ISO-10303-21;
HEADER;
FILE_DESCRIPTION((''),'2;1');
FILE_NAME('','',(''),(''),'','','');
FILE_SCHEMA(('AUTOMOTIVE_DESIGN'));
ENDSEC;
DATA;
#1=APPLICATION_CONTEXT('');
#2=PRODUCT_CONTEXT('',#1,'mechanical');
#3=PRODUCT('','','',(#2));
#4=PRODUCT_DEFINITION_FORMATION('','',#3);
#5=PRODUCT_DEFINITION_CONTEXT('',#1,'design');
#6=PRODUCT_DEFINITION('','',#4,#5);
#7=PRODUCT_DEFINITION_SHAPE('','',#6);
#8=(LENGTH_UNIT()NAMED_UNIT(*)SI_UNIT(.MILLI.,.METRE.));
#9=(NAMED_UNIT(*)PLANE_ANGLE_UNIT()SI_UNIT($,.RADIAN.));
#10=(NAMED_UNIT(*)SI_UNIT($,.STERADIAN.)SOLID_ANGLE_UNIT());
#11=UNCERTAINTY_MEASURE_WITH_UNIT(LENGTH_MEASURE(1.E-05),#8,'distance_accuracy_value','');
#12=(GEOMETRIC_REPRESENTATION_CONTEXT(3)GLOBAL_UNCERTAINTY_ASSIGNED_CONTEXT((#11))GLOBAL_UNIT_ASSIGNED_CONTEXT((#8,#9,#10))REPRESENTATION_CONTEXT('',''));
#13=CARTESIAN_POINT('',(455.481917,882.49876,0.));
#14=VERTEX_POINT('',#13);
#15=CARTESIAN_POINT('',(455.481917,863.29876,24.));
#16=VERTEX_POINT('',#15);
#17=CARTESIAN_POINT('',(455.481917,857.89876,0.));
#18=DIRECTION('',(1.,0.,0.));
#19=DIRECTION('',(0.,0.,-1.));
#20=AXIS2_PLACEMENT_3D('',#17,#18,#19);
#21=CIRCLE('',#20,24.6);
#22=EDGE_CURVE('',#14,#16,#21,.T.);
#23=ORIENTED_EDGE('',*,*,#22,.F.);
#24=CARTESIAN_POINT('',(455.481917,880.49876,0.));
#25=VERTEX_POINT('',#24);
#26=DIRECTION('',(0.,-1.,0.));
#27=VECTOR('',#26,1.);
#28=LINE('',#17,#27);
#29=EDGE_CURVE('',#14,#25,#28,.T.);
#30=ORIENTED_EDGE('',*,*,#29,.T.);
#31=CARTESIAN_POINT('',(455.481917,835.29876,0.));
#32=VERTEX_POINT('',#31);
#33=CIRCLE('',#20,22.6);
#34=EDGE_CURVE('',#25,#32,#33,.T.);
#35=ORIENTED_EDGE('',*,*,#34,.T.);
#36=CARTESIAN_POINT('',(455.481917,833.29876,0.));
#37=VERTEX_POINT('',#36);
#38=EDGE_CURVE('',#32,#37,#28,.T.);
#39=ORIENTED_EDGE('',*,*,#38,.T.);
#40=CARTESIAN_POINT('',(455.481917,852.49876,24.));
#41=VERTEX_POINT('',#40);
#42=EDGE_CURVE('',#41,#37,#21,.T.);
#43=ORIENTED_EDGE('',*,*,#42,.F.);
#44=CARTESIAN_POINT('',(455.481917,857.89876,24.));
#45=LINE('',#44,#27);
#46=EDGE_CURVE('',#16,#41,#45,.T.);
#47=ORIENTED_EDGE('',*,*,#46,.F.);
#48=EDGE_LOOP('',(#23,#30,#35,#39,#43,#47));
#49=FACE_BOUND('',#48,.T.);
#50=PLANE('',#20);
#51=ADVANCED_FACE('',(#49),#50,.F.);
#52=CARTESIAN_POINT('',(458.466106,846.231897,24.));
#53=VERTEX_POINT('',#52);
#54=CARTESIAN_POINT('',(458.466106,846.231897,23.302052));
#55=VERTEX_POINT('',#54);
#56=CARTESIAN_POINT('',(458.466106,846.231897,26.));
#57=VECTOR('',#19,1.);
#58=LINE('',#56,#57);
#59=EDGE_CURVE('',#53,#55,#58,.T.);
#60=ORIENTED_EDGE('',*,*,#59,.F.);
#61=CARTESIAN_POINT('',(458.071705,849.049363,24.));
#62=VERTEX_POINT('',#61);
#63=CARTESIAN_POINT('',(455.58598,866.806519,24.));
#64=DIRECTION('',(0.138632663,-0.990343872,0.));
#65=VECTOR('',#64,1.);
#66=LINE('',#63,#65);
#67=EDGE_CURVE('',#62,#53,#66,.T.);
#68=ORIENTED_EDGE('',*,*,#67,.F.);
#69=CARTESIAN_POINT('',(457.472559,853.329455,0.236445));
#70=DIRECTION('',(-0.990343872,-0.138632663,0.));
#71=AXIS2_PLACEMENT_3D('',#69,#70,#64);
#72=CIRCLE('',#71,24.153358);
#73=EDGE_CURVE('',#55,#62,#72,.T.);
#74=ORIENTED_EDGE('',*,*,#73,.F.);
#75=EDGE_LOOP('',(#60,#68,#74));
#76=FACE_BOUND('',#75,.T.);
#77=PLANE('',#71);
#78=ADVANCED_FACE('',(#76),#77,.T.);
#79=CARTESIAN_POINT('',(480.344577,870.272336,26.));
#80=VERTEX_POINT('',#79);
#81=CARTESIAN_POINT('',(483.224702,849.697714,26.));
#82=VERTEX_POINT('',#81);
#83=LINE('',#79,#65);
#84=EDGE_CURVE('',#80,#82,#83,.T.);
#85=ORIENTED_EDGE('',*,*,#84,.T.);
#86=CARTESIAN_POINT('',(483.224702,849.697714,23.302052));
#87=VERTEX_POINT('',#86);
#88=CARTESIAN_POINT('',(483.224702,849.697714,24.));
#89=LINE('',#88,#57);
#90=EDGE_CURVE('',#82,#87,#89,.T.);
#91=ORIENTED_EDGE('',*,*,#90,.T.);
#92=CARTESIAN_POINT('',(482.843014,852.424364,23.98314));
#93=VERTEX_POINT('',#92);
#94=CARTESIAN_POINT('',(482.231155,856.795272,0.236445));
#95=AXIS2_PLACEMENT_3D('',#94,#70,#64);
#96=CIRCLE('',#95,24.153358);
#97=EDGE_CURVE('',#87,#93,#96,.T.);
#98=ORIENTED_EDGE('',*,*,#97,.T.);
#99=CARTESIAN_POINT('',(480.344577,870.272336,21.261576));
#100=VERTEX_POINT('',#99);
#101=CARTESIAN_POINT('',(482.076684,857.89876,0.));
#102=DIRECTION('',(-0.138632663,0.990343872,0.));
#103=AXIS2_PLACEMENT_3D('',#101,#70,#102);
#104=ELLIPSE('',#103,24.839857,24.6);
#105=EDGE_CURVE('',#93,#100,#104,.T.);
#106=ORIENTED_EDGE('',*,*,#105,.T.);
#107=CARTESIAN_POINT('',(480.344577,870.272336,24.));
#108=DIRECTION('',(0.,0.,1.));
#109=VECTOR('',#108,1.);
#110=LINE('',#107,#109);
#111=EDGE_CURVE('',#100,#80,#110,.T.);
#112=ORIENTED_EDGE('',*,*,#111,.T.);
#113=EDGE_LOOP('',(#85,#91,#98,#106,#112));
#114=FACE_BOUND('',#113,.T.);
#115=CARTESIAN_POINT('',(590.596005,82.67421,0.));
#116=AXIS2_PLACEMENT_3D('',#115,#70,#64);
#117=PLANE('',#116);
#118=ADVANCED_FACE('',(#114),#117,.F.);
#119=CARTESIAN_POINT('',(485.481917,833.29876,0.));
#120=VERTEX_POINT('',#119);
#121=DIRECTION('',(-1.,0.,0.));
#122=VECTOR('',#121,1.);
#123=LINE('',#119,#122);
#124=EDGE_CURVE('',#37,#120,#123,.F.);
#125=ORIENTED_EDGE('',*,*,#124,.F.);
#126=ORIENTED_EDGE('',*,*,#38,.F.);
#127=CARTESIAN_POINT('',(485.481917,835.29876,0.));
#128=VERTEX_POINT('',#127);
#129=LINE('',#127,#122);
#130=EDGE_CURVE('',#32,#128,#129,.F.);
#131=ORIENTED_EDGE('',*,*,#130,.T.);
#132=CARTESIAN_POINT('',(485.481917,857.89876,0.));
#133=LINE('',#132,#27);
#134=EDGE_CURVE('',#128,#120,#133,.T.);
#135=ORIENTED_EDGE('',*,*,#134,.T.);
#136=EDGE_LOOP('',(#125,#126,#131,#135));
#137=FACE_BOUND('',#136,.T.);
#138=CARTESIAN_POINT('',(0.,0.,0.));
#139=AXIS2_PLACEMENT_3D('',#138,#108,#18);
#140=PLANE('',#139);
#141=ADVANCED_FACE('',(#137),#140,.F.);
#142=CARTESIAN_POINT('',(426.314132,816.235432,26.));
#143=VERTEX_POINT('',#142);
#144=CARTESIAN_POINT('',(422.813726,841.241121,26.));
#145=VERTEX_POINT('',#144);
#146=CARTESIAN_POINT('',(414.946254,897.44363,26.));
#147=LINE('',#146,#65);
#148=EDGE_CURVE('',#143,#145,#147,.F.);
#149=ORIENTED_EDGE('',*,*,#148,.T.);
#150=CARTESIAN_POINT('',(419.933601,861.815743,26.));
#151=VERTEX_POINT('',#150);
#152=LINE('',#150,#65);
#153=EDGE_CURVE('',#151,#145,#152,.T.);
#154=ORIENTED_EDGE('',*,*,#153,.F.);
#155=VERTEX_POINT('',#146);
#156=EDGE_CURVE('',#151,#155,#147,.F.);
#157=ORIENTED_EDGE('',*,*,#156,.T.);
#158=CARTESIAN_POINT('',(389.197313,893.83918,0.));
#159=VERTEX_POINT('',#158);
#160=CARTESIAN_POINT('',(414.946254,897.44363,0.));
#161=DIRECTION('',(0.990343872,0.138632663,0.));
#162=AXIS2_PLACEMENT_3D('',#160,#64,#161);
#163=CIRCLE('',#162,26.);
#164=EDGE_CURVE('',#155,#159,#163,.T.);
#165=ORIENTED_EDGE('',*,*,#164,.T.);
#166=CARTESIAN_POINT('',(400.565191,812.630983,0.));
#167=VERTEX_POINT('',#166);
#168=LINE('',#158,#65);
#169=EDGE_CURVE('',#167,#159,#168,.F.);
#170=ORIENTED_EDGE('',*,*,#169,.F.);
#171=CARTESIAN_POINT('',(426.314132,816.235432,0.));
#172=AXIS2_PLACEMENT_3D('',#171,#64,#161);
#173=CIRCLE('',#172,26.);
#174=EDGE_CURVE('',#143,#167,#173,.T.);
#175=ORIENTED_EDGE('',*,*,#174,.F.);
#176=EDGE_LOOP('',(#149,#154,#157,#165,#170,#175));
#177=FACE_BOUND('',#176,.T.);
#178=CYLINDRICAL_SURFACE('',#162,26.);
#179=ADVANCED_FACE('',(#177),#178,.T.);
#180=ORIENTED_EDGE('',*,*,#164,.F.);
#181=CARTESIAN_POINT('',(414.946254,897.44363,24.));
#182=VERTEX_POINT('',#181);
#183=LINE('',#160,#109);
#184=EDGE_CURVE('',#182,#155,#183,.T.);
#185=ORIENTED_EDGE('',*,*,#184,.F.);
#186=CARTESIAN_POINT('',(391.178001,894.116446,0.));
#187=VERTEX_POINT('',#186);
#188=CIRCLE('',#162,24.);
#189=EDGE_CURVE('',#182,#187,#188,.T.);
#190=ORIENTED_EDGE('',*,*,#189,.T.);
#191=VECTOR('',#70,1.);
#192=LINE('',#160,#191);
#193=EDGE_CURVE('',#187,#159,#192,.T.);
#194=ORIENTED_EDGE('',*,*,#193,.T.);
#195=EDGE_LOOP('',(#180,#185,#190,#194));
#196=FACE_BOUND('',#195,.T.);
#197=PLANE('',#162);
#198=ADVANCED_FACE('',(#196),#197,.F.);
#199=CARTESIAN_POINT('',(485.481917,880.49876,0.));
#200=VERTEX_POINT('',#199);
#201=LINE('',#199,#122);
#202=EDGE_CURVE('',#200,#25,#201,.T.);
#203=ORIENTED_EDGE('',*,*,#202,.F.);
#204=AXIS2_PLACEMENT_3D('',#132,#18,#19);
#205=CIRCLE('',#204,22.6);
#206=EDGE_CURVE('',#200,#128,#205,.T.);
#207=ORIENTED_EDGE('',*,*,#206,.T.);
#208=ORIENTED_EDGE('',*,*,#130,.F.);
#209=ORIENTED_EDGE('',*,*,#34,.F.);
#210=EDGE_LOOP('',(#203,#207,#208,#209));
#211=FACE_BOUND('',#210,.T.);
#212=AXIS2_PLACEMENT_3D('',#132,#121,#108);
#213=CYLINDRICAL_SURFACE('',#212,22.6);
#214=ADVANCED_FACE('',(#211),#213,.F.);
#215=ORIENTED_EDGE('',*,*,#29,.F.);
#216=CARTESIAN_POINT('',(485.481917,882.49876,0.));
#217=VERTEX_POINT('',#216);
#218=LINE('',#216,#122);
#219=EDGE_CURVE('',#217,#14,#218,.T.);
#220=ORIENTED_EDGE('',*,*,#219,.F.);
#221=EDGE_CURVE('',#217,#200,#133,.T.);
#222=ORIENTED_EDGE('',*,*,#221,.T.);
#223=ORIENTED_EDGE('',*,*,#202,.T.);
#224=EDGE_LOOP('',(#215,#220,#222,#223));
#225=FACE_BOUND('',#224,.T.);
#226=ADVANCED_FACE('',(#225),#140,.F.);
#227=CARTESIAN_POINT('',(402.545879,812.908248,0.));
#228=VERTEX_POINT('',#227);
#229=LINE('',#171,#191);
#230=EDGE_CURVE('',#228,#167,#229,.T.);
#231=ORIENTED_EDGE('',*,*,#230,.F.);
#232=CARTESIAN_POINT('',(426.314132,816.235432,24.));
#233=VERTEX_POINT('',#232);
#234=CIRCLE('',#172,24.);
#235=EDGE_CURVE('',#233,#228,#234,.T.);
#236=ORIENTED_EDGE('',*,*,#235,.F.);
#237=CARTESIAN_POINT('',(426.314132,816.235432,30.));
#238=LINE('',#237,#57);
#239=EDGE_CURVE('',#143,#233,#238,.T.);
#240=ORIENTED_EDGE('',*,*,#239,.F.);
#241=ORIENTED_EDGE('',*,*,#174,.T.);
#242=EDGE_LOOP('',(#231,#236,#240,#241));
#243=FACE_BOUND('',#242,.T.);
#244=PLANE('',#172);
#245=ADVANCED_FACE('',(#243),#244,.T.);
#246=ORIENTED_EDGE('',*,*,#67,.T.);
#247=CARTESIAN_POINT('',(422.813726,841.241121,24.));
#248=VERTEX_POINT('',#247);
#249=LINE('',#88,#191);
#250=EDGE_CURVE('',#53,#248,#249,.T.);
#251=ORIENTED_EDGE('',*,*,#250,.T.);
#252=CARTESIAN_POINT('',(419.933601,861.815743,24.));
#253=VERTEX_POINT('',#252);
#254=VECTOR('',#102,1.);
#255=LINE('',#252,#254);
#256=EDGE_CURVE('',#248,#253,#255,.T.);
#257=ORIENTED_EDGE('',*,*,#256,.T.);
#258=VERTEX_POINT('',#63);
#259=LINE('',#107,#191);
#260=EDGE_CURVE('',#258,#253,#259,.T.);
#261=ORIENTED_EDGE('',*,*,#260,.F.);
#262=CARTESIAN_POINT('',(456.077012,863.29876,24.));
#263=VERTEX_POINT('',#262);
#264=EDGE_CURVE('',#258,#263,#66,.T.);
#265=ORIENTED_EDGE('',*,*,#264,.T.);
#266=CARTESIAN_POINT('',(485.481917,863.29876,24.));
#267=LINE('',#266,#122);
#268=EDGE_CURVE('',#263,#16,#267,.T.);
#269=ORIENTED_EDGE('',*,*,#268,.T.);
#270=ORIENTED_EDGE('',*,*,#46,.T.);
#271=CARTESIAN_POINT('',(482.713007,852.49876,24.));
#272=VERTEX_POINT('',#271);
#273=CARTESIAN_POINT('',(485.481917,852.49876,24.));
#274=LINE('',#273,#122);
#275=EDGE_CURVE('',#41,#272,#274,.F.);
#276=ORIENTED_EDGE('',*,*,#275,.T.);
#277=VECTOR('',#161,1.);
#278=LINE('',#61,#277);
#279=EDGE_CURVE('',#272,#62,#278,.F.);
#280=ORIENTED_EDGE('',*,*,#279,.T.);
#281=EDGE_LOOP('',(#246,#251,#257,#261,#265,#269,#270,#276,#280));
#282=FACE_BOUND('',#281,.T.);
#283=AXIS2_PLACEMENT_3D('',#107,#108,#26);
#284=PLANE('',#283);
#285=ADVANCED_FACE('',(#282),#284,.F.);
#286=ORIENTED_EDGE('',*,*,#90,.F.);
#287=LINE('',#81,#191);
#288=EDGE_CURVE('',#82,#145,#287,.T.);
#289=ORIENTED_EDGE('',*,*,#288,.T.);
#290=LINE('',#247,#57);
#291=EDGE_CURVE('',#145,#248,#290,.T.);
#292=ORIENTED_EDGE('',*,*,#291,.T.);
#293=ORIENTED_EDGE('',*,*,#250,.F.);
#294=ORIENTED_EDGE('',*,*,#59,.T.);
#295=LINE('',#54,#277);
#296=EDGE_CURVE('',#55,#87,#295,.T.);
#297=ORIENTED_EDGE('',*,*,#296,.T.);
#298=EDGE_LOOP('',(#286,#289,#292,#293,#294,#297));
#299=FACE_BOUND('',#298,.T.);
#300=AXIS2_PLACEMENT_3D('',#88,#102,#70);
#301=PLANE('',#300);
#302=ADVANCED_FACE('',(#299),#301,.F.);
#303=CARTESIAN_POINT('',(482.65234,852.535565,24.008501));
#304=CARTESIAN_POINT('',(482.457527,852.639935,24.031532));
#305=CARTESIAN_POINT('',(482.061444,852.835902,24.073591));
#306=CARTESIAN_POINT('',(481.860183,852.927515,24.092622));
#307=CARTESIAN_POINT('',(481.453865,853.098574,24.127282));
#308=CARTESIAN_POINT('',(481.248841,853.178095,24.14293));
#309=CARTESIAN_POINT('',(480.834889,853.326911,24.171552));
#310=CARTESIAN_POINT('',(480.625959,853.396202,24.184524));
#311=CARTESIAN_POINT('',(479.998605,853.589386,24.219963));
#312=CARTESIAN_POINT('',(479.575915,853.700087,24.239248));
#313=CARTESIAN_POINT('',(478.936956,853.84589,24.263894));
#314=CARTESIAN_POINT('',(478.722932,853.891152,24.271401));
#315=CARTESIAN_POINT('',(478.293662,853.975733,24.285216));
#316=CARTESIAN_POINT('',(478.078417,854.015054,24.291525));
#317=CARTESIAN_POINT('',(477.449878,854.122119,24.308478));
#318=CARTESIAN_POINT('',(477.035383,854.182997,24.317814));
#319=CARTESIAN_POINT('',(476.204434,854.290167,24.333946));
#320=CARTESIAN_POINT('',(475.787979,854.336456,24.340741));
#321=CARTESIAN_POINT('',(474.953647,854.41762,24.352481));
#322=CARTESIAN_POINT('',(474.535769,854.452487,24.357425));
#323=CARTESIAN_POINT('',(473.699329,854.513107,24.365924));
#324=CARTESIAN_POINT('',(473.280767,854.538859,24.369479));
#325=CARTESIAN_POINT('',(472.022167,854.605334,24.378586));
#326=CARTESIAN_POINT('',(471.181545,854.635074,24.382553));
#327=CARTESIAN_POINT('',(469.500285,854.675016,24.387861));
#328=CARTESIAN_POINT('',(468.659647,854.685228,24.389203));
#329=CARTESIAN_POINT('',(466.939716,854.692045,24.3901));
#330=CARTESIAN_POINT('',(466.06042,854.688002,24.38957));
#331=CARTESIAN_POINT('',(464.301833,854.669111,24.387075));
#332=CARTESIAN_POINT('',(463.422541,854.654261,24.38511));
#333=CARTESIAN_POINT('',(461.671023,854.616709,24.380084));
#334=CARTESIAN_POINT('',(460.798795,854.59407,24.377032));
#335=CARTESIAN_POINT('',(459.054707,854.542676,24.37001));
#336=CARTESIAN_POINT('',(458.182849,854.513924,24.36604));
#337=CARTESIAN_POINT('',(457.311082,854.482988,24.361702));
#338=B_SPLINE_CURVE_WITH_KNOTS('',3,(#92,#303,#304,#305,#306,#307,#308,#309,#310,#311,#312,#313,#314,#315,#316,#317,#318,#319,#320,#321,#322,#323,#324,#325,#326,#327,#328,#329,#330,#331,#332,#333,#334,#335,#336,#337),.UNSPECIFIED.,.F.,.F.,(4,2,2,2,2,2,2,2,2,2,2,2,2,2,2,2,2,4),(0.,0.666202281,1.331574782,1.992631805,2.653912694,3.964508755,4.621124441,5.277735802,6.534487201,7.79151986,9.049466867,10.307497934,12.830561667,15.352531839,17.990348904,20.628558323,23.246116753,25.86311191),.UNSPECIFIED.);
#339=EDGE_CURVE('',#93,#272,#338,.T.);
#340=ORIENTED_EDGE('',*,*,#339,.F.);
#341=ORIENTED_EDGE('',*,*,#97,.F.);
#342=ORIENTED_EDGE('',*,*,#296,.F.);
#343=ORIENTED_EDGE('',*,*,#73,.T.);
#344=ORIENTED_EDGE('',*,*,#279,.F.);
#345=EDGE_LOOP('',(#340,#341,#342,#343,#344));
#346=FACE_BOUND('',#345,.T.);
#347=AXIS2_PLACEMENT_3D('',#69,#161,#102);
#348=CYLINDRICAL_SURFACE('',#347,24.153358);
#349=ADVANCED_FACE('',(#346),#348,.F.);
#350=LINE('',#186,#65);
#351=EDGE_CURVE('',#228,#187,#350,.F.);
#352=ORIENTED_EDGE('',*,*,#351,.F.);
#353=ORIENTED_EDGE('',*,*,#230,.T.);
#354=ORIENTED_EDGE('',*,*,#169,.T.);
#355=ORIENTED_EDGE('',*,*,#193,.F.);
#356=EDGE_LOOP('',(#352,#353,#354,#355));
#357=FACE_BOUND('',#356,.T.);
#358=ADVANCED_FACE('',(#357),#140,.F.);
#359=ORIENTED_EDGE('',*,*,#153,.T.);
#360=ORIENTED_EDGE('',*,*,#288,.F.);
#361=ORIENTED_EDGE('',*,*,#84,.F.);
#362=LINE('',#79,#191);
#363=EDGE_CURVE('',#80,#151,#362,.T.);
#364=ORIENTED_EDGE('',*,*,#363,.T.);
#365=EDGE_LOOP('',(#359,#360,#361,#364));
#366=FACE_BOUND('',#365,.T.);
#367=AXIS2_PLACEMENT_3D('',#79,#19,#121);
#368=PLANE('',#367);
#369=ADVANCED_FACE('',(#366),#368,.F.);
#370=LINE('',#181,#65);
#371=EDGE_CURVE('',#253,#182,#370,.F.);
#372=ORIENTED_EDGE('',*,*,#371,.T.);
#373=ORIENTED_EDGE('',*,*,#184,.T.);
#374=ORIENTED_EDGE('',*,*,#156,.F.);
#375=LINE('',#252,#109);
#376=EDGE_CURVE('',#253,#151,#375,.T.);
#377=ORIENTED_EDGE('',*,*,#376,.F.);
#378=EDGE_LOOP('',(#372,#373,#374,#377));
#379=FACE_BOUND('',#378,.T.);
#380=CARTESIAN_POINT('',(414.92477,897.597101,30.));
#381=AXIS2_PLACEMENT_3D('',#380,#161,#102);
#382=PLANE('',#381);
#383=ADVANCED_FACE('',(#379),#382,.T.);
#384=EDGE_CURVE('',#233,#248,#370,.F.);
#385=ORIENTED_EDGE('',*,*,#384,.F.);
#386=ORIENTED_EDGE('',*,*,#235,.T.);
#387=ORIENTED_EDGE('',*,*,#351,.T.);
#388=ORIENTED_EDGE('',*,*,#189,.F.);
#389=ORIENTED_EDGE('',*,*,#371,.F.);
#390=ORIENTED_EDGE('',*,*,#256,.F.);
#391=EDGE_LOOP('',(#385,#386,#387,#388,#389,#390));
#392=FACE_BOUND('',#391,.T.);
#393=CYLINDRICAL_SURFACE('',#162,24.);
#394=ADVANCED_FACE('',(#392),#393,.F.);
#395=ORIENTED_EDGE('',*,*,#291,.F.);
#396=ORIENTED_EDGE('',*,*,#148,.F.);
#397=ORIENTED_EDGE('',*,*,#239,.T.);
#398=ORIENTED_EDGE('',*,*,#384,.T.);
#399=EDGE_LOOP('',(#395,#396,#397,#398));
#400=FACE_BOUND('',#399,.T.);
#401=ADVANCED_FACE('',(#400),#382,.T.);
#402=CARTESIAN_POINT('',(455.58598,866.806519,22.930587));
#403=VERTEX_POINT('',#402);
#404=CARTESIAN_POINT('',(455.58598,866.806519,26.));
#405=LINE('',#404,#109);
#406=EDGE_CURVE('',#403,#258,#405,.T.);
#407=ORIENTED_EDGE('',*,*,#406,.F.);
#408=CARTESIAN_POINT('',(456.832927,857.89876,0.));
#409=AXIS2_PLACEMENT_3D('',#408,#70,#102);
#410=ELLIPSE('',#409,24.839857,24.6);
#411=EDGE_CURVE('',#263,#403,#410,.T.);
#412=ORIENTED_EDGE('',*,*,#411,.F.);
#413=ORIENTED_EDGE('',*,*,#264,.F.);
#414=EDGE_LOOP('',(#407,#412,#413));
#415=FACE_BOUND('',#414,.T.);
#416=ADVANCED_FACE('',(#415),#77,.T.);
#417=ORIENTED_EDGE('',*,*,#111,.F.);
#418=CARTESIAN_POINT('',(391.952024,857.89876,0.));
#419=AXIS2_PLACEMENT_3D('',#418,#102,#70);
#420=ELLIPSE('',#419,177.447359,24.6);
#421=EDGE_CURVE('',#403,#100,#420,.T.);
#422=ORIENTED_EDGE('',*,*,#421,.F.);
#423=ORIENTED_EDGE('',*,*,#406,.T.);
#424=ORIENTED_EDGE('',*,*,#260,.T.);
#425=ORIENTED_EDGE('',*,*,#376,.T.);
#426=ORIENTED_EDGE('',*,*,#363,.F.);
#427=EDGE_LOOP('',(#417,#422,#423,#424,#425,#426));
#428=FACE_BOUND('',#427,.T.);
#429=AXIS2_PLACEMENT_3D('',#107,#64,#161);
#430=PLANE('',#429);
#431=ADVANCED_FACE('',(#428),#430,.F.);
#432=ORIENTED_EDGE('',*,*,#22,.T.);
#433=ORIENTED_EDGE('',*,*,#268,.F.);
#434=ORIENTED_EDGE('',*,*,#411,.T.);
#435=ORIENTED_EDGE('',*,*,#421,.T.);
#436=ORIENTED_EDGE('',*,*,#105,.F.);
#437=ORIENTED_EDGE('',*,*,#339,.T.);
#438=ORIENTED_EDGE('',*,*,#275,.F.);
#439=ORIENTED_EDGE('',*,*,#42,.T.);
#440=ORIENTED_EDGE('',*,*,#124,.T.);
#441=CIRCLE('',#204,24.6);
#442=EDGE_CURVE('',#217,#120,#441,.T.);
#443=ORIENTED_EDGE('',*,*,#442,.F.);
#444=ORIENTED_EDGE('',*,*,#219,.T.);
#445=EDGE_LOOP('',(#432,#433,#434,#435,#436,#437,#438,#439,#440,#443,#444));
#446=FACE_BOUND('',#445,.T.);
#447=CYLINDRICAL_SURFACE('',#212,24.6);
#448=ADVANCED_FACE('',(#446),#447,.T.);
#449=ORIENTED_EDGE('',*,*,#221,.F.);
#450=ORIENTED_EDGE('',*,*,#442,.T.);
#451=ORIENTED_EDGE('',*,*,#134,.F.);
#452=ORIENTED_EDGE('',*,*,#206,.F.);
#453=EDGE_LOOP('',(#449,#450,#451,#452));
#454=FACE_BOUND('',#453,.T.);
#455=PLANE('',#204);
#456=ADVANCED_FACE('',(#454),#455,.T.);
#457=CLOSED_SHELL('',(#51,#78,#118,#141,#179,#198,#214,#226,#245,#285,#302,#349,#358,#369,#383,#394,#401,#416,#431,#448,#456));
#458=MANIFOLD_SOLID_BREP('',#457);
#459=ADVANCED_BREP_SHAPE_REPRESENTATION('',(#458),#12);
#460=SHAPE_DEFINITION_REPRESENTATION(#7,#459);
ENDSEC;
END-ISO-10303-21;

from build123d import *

# Parameters (mm, degrees)
SKETCH3_R               = 26
SKETCH3_R_2             = 24
BOSS_EXTRUDE1_DEPTH     = 82
SKETCH2_R               = 24.6
SKETCH2_R_2             = 22.6
BOSS_EXTRUDE2_DEPTH     = 30
CUT_EXTRUDE1_DEPTH      = 30
CUT_EXTRUDE1_DEPTH_BACK = 30
SKETCH5_W               = 101.816386604
SKETCH5_H               = 90.816460778
CUT_EXTRUDE2_DEPTH      = 30
SKETCH6_W               = 2
SKETCH6_H               = 20.775230247
BOSS_EXTRUDE3_DEPTH     = 61
BOSS_EXTRUDE5_DEPTH     = 25
CUT_EXTRUDE3_START      = -32
SKETCH8_R               = 22.6
CUT_EXTRUDE3_DEPTH      = 32


with BuildPart() as part:
    # Sketch3 → Boss-Extrude1 (new body)
    with BuildSketch(Plane(origin=(-103.870896529, 742.017814767, 0), x_dir=(-0.9903438719336157, -0.13863266326351154, 0), z_dir=(0.13863266326351156, -0.9903438719336158, 0))):
        with Locations((-535.354479902, 0)):
            Circle(SKETCH3_R)
        with Locations((-535.354479902, 0)):
            Circle(SKETCH3_R_2, mode=Mode.SUBTRACT)
    extrude(amount=-BOSS_EXTRUDE1_DEPTH)

    # Sketch4 → Cut-Extrude1 (cut, two sides: drawn at the far end of the back side and taken through both)
    with BuildSketch(Plane.XY.offset(-CUT_EXTRUDE1_DEPTH_BACK)):
        Polygon((414.924769966, 897.597101018), (426.314131953, 816.235432106), (452.063072624, 819.839881351), (440.673710637, 901.201550263), align=None)
    extrude(amount=CUT_EXTRUDE1_DEPTH + CUT_EXTRUDE1_DEPTH_BACK, mode=Mode.SUBTRACT)


with BuildPart() as body_2:
    # Sketch2 → Boss-Extrude2 (new body)
    with BuildSketch(Plane(origin=(455.481917253, 0, 0), x_dir=(0, 0, -1), z_dir=(1, 0, 0))):
        with Locations((0, 857.898759871)):
            Circle(SKETCH2_R)
        with Locations((0, 857.898759871)):
            Circle(SKETCH2_R_2, mode=Mode.SUBTRACT)
    extrude(amount=BOSS_EXTRUDE2_DEPTH)


with BuildPart() as cut_extrude2_tool:
    # Sketch5 → Cut-Extrude2 (new body)
    with BuildSketch(Plane.XY):
        with Locations((437.415428166, 854.729783017)):
            Rectangle(SKETCH5_W, SKETCH5_H)
    extrude(amount=-CUT_EXTRUDE2_DEPTH)


with BuildPart() as part_1:
    add(part.part)

    # Cut-Extrude2: cut by cut_extrude2_tool
    add(cut_extrude2_tool.part, mode=Mode.SUBTRACT)



with BuildPart() as body_2_1:
    add(body_2.part)

    # Cut-Extrude2: cut by cut_extrude2_tool
    add(cut_extrude2_tool.part, mode=Mode.SUBTRACT)


with BuildPart() as part_2:
    add(part_1.part)

    add(body_2_1.part)  # Boss-Extrude3 merges body 2
    # Sketch6 → Boss-Extrude3 (add)
    with BuildSketch(Plane(origin=(530.185028483, 74.217617339, 0), x_dir=(0, 0, -1), z_dir=(0.9903438719336157, 0.13863266326351165, 0))):
        with Locations((-25, 784.889811472)):
            Rectangle(SKETCH6_W, SKETCH6_H)
    extrude(amount=BOSS_EXTRUDE3_DEPTH)

    # Sketch7 → Boss-Extrude5 (add)
    with BuildSketch(Plane(origin=(590.596004671, 82.674209798, 0), x_dir=(0, 0, -1), z_dir=(0.9903438719336163, 0.1386326632635082, 0))):
        with BuildLine():
            Line((-26, 774.502196348), (-26, 795.277426595))
            Line((-26, 795.277426595), (-20.191250984, 795.277426595))
            ThreePointArc((-20.191250984, 795.277426595), (-24.123503055, 785.245711867), (-23.302052486, 774.502196348))
            Line((-23.302052486, 774.502196348), (-26, 774.502196348))
        make_face()
    extrude(amount=-BOSS_EXTRUDE5_DEPTH)

    # Sketch8 → Cut-Extrude3 (cut)
    with BuildSketch(Plane(origin=(485.481917253, 0, 0), x_dir=(0, 0, -1), z_dir=(1, 0, 0)).offset(CUT_EXTRUDE3_START)):
        with Locations((0, 857.898759871)):
            Circle(SKETCH8_R)
    extrude(amount=CUT_EXTRUDE3_DEPTH, mode=Mode.SUBTRACT)


solid = part_2.part
